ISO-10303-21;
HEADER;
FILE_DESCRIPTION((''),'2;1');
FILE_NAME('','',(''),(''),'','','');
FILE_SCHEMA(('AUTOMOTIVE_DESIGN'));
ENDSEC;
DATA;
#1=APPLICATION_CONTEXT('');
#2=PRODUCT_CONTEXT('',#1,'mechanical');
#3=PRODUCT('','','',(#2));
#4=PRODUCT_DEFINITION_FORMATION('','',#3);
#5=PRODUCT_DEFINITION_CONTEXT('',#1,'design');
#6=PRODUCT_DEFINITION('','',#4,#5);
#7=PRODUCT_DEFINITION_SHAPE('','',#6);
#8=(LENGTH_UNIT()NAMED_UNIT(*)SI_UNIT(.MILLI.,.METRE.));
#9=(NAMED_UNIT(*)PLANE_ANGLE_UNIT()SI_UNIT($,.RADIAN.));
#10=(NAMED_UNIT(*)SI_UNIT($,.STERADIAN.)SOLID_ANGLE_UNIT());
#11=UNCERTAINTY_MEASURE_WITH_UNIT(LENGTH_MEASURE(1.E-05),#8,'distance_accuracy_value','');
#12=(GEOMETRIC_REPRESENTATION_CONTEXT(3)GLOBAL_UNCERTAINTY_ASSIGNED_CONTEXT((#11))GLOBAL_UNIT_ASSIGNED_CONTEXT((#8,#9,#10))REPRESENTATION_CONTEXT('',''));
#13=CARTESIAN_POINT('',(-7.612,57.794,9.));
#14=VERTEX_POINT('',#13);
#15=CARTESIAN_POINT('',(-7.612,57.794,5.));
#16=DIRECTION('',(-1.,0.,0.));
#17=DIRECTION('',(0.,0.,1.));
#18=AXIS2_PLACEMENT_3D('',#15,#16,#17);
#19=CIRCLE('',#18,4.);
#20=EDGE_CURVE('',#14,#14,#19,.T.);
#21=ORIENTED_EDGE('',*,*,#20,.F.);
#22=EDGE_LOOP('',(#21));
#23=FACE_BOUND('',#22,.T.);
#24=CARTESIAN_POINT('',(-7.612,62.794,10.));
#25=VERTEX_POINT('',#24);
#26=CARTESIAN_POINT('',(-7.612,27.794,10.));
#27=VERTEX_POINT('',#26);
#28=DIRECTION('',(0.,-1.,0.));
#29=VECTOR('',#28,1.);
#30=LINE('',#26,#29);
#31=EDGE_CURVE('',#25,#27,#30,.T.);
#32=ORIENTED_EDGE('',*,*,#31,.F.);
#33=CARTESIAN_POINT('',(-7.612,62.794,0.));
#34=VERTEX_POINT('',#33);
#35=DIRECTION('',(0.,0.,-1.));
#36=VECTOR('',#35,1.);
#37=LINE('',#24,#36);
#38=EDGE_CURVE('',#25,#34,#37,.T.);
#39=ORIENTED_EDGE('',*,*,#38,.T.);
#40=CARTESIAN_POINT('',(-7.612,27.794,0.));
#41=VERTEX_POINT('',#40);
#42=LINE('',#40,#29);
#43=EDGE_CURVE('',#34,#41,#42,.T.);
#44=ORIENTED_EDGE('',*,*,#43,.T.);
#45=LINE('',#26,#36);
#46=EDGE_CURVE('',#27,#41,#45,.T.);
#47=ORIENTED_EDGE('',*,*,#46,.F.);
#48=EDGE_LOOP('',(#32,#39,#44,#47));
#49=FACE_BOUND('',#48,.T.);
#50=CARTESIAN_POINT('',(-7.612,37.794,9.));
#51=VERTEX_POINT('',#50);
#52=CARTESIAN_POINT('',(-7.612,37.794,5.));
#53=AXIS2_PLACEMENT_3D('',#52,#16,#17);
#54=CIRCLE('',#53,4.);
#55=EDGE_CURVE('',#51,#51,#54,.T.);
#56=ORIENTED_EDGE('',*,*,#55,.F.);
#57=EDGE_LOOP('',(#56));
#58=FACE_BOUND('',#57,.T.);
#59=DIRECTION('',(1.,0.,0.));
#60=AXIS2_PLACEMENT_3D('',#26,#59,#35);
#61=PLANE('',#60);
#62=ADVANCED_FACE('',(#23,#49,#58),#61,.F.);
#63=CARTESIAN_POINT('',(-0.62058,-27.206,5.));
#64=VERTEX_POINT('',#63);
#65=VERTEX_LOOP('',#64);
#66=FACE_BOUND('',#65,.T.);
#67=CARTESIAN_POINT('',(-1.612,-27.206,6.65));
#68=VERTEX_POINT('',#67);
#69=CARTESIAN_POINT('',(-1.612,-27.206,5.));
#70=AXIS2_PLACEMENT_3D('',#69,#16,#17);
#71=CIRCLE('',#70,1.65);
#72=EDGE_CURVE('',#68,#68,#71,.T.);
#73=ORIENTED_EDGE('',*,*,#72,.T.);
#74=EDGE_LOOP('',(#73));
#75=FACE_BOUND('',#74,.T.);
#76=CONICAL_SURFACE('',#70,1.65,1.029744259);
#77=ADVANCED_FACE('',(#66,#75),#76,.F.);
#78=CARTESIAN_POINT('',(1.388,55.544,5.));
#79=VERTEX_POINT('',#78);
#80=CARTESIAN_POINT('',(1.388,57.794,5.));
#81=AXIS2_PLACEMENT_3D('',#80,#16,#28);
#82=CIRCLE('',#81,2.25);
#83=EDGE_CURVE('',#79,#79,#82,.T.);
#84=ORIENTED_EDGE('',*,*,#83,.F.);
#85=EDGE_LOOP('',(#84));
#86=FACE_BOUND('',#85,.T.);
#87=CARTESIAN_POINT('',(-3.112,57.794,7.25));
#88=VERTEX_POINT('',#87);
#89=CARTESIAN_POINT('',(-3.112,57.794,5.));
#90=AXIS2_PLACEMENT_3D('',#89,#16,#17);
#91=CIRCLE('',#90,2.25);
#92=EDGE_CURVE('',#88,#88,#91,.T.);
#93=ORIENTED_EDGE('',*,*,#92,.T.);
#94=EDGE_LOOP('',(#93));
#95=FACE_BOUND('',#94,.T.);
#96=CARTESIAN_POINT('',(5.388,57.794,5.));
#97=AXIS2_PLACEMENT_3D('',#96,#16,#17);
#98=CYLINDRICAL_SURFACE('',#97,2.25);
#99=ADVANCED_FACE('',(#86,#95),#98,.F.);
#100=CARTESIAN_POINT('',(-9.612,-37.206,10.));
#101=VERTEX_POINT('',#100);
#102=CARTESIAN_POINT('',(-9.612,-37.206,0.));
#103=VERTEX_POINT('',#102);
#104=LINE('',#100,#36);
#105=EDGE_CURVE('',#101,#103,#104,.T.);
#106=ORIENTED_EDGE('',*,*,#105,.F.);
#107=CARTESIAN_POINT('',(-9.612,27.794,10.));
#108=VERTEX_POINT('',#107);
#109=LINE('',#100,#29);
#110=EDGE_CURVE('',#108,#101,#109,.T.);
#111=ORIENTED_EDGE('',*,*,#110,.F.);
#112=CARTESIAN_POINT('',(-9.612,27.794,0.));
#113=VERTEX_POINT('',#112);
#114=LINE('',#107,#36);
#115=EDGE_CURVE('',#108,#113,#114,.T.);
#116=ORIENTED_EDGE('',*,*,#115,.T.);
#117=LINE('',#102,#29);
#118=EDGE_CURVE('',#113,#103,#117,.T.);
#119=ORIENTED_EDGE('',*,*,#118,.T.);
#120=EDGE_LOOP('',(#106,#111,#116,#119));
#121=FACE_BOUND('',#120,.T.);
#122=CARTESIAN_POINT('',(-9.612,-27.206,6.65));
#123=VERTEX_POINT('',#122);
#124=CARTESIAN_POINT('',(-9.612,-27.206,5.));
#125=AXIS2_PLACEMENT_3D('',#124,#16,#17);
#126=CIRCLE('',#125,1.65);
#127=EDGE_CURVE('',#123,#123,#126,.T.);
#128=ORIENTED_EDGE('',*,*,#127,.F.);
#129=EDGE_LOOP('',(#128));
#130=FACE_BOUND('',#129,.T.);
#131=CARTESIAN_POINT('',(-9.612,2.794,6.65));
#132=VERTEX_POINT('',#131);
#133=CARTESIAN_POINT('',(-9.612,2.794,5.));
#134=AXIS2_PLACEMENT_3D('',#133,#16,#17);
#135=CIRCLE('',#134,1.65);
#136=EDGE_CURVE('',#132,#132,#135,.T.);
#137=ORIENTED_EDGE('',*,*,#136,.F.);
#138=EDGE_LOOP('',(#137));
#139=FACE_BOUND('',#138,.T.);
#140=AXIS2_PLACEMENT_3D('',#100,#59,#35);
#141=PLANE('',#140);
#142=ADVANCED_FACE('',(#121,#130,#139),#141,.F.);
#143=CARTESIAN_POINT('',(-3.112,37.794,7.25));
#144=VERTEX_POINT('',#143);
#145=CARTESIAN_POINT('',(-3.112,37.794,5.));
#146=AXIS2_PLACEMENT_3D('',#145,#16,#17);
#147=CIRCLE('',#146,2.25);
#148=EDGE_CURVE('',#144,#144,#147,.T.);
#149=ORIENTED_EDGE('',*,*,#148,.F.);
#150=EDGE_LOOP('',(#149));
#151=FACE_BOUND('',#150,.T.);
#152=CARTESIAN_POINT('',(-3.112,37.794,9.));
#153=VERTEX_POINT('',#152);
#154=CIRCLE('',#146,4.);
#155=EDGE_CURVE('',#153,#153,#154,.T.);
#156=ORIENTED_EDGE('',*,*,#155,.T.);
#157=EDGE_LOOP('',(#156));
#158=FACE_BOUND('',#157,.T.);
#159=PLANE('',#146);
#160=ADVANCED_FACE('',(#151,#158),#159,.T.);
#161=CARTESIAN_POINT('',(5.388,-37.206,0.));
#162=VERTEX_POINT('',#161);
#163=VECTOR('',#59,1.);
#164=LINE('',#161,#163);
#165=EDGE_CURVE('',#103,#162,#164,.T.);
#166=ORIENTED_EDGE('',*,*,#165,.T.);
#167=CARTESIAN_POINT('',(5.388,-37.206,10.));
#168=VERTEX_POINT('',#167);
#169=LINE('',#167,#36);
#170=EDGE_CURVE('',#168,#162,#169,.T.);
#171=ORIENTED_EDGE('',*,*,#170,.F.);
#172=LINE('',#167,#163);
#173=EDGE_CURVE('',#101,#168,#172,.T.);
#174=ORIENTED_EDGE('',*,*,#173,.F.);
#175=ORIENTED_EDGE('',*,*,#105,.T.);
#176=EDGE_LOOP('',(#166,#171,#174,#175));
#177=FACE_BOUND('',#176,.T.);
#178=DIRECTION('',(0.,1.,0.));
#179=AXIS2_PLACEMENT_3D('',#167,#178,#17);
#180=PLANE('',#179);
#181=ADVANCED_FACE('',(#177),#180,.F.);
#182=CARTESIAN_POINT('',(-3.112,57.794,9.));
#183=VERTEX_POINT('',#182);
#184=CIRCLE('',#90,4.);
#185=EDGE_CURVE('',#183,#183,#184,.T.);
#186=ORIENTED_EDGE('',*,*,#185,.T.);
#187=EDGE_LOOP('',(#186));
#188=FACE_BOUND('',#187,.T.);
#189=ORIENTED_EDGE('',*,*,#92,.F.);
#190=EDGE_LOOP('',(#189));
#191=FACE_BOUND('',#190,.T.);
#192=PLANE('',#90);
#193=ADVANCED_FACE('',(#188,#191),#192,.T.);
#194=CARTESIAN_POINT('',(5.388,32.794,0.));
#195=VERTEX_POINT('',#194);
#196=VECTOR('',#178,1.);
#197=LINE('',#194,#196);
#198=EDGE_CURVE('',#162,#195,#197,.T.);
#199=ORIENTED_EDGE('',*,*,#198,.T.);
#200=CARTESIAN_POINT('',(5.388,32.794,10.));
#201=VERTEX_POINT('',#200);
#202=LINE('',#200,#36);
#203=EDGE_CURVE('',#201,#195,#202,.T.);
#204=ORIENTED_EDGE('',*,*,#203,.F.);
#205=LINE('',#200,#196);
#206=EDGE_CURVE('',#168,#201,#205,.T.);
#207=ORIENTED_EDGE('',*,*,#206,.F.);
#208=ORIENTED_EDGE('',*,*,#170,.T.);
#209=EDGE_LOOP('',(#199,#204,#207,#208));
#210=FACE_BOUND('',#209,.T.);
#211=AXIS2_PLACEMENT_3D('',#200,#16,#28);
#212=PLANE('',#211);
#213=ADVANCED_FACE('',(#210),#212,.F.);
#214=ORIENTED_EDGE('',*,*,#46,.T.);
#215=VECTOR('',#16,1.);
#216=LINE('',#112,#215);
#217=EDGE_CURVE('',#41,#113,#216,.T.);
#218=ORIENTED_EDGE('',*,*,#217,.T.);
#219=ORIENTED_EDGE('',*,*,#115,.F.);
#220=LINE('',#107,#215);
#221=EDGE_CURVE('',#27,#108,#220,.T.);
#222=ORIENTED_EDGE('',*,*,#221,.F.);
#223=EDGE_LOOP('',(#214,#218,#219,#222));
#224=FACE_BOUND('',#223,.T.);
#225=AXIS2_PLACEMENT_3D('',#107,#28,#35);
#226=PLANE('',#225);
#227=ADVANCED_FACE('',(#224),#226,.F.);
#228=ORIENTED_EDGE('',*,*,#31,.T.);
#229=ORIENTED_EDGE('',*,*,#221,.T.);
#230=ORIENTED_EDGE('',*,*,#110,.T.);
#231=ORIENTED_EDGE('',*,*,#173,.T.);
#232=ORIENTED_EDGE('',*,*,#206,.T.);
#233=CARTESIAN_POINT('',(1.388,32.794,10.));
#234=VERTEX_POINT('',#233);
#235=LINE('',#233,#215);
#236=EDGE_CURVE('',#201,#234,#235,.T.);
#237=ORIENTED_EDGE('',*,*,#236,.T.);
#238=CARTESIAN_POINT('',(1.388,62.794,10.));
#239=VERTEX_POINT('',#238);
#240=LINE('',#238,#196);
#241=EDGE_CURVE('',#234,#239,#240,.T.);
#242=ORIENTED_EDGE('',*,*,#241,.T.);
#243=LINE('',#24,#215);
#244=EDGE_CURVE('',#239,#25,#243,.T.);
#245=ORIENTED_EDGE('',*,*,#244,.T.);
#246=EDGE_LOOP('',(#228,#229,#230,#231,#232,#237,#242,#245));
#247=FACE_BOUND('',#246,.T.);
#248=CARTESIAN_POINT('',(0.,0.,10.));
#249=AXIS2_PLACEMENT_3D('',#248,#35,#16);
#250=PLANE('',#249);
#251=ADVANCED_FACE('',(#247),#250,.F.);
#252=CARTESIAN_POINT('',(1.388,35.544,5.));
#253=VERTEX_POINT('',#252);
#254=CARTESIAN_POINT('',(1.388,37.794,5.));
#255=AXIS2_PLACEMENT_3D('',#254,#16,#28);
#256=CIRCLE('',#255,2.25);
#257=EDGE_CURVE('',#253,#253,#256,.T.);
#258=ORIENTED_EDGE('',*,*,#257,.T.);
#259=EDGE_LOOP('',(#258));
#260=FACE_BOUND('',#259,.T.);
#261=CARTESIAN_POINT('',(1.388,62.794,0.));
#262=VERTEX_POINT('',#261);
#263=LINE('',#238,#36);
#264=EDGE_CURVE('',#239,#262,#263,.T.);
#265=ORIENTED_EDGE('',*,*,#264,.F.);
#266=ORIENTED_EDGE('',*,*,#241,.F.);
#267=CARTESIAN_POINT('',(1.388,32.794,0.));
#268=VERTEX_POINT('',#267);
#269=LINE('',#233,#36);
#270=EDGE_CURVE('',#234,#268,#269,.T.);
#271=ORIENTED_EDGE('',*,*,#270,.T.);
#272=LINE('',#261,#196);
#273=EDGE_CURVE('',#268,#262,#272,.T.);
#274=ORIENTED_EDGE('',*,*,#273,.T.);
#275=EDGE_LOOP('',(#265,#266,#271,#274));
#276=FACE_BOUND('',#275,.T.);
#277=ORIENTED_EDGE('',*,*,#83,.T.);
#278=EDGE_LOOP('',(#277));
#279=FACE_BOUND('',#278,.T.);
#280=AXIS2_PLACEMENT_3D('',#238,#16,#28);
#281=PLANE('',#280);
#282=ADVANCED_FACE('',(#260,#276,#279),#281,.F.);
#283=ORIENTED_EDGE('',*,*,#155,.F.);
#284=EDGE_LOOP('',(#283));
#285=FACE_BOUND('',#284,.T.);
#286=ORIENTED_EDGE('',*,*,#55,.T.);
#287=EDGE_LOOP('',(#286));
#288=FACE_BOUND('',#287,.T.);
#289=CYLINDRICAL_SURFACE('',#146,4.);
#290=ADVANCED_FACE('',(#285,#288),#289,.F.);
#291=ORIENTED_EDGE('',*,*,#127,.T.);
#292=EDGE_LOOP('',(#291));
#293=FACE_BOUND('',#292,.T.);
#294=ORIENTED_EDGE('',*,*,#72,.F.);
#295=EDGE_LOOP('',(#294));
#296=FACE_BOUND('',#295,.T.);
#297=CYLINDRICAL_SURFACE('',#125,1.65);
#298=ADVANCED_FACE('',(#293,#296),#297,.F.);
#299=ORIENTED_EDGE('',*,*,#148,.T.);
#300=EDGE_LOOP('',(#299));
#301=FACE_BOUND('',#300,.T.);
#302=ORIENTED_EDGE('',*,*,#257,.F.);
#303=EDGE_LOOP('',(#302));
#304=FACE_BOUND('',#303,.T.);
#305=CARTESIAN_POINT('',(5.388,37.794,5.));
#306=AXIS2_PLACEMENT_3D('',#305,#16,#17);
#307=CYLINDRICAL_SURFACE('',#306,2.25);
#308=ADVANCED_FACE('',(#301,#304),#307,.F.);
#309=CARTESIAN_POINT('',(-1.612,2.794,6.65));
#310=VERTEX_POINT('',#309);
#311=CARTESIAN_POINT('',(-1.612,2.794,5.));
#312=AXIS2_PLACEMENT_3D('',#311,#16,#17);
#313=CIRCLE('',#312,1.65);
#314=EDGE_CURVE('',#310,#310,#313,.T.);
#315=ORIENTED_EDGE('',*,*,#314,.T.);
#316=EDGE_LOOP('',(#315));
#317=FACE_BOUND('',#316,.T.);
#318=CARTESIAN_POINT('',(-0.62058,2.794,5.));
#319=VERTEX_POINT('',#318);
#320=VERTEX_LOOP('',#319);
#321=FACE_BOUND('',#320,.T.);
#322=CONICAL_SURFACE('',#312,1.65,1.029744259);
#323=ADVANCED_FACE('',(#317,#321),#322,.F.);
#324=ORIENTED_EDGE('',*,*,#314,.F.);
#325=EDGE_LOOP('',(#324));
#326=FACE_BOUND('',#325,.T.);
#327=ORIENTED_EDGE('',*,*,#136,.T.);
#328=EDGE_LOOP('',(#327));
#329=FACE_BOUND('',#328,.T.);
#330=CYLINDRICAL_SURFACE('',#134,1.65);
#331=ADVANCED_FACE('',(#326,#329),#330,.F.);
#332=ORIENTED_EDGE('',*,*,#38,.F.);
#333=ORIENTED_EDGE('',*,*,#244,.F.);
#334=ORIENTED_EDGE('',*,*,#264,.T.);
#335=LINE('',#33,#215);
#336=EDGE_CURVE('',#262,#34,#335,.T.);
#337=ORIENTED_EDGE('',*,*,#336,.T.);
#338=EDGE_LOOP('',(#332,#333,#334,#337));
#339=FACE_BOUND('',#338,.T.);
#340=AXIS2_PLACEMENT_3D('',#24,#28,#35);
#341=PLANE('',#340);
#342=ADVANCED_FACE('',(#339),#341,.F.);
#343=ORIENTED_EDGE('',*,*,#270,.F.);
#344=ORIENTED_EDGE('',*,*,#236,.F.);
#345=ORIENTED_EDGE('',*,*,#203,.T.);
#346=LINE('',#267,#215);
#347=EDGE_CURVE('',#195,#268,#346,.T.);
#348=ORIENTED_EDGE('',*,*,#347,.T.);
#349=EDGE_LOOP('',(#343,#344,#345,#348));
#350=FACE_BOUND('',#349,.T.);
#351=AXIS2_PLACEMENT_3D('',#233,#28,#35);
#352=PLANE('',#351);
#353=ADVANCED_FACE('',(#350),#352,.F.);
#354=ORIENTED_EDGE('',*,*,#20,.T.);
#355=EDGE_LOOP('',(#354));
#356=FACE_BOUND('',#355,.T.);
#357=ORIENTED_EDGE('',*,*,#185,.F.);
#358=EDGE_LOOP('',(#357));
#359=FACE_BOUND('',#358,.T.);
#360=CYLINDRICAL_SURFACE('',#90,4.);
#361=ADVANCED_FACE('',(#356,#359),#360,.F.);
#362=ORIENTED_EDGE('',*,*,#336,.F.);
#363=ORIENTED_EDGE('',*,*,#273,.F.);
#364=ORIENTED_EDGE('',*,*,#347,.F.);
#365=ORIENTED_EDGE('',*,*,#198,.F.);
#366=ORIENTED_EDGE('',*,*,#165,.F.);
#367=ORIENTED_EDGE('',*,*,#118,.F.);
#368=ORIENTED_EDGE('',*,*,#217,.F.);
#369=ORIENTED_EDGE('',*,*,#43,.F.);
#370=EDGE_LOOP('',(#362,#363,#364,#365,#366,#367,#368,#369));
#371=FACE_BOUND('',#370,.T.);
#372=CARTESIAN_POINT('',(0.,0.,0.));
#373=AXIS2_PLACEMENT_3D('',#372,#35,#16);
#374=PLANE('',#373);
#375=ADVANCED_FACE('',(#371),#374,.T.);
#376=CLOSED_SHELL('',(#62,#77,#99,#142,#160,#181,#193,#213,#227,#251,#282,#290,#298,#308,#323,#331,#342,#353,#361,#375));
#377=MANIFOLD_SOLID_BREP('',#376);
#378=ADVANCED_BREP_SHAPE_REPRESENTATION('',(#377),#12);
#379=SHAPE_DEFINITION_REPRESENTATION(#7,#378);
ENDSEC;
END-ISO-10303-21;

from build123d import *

# Parameters (mm, degrees)
BOSS_EXTRUDE1_DEPTH       = 10
SKETCH2_R                 = 4
CUT_EXTRUDE1_DEPTH        = 4.5
SKETCH3_R                 = 2.25
CUT_EXTRUDE2_DEPTH        = 9.5
M4X0_7_TAPPED_HOLE1_D     = 3.3
M4X0_7_TAPPED_HOLE1_DEPTH = 8
M4X0_7_TAPPED_HOLE1_TIP   = 0.991420021


with BuildPart() as part:
    # Sketch1 → Boss-Extrude1 (new body)
    with BuildSketch(Plane.XY):
        Polygon((-7.612, 62.794), (1.388, 62.794), (1.388, 32.794), (5.388, 32.794), (5.388, -37.206), (-9.612, -37.206), (-9.612, 27.794), (-7.612, 27.794), align=None)
    extrude(amount=BOSS_EXTRUDE1_DEPTH)

    # Sketch2 → Cut-Extrude1 (cut)
    with BuildSketch(Plane.ZY.offset(7.612)):
        with Locations((5, 57.794)):
            Circle(SKETCH2_R)
        with Locations((5, 37.794)):
            Circle(SKETCH2_R)
    extrude(amount=-CUT_EXTRUDE1_DEPTH, mode=Mode.SUBTRACT)

    # Sketch3 → Cut-Extrude2 (cut, through all)
    with BuildSketch(Plane.ZY.offset(3.112)):
        with Locations((5, 37.794)):
            Circle(SKETCH3_R)
        with Locations((5, 57.794)):
            Circle(SKETCH3_R)
    extrude(amount=-CUT_EXTRUDE2_DEPTH, mode=Mode.SUBTRACT)

    # M4x0.7 Tapped Hole1
    with Locations(Plane.ZY.offset(9.612)):
        with Locations((5, 2.794), (5, -27.206)):
            Hole(M4X0_7_TAPPED_HOLE1_D / 2, depth=M4X0_7_TAPPED_HOLE1_DEPTH)
            with Locations((0, 0, -(M4X0_7_TAPPED_HOLE1_DEPTH + M4X0_7_TAPPED_HOLE1_TIP / 2))):  # 118° drill point
                Cone(0, M4X0_7_TAPPED_HOLE1_D / 2, M4X0_7_TAPPED_HOLE1_TIP, mode=Mode.SUBTRACT)


solid = part.part
